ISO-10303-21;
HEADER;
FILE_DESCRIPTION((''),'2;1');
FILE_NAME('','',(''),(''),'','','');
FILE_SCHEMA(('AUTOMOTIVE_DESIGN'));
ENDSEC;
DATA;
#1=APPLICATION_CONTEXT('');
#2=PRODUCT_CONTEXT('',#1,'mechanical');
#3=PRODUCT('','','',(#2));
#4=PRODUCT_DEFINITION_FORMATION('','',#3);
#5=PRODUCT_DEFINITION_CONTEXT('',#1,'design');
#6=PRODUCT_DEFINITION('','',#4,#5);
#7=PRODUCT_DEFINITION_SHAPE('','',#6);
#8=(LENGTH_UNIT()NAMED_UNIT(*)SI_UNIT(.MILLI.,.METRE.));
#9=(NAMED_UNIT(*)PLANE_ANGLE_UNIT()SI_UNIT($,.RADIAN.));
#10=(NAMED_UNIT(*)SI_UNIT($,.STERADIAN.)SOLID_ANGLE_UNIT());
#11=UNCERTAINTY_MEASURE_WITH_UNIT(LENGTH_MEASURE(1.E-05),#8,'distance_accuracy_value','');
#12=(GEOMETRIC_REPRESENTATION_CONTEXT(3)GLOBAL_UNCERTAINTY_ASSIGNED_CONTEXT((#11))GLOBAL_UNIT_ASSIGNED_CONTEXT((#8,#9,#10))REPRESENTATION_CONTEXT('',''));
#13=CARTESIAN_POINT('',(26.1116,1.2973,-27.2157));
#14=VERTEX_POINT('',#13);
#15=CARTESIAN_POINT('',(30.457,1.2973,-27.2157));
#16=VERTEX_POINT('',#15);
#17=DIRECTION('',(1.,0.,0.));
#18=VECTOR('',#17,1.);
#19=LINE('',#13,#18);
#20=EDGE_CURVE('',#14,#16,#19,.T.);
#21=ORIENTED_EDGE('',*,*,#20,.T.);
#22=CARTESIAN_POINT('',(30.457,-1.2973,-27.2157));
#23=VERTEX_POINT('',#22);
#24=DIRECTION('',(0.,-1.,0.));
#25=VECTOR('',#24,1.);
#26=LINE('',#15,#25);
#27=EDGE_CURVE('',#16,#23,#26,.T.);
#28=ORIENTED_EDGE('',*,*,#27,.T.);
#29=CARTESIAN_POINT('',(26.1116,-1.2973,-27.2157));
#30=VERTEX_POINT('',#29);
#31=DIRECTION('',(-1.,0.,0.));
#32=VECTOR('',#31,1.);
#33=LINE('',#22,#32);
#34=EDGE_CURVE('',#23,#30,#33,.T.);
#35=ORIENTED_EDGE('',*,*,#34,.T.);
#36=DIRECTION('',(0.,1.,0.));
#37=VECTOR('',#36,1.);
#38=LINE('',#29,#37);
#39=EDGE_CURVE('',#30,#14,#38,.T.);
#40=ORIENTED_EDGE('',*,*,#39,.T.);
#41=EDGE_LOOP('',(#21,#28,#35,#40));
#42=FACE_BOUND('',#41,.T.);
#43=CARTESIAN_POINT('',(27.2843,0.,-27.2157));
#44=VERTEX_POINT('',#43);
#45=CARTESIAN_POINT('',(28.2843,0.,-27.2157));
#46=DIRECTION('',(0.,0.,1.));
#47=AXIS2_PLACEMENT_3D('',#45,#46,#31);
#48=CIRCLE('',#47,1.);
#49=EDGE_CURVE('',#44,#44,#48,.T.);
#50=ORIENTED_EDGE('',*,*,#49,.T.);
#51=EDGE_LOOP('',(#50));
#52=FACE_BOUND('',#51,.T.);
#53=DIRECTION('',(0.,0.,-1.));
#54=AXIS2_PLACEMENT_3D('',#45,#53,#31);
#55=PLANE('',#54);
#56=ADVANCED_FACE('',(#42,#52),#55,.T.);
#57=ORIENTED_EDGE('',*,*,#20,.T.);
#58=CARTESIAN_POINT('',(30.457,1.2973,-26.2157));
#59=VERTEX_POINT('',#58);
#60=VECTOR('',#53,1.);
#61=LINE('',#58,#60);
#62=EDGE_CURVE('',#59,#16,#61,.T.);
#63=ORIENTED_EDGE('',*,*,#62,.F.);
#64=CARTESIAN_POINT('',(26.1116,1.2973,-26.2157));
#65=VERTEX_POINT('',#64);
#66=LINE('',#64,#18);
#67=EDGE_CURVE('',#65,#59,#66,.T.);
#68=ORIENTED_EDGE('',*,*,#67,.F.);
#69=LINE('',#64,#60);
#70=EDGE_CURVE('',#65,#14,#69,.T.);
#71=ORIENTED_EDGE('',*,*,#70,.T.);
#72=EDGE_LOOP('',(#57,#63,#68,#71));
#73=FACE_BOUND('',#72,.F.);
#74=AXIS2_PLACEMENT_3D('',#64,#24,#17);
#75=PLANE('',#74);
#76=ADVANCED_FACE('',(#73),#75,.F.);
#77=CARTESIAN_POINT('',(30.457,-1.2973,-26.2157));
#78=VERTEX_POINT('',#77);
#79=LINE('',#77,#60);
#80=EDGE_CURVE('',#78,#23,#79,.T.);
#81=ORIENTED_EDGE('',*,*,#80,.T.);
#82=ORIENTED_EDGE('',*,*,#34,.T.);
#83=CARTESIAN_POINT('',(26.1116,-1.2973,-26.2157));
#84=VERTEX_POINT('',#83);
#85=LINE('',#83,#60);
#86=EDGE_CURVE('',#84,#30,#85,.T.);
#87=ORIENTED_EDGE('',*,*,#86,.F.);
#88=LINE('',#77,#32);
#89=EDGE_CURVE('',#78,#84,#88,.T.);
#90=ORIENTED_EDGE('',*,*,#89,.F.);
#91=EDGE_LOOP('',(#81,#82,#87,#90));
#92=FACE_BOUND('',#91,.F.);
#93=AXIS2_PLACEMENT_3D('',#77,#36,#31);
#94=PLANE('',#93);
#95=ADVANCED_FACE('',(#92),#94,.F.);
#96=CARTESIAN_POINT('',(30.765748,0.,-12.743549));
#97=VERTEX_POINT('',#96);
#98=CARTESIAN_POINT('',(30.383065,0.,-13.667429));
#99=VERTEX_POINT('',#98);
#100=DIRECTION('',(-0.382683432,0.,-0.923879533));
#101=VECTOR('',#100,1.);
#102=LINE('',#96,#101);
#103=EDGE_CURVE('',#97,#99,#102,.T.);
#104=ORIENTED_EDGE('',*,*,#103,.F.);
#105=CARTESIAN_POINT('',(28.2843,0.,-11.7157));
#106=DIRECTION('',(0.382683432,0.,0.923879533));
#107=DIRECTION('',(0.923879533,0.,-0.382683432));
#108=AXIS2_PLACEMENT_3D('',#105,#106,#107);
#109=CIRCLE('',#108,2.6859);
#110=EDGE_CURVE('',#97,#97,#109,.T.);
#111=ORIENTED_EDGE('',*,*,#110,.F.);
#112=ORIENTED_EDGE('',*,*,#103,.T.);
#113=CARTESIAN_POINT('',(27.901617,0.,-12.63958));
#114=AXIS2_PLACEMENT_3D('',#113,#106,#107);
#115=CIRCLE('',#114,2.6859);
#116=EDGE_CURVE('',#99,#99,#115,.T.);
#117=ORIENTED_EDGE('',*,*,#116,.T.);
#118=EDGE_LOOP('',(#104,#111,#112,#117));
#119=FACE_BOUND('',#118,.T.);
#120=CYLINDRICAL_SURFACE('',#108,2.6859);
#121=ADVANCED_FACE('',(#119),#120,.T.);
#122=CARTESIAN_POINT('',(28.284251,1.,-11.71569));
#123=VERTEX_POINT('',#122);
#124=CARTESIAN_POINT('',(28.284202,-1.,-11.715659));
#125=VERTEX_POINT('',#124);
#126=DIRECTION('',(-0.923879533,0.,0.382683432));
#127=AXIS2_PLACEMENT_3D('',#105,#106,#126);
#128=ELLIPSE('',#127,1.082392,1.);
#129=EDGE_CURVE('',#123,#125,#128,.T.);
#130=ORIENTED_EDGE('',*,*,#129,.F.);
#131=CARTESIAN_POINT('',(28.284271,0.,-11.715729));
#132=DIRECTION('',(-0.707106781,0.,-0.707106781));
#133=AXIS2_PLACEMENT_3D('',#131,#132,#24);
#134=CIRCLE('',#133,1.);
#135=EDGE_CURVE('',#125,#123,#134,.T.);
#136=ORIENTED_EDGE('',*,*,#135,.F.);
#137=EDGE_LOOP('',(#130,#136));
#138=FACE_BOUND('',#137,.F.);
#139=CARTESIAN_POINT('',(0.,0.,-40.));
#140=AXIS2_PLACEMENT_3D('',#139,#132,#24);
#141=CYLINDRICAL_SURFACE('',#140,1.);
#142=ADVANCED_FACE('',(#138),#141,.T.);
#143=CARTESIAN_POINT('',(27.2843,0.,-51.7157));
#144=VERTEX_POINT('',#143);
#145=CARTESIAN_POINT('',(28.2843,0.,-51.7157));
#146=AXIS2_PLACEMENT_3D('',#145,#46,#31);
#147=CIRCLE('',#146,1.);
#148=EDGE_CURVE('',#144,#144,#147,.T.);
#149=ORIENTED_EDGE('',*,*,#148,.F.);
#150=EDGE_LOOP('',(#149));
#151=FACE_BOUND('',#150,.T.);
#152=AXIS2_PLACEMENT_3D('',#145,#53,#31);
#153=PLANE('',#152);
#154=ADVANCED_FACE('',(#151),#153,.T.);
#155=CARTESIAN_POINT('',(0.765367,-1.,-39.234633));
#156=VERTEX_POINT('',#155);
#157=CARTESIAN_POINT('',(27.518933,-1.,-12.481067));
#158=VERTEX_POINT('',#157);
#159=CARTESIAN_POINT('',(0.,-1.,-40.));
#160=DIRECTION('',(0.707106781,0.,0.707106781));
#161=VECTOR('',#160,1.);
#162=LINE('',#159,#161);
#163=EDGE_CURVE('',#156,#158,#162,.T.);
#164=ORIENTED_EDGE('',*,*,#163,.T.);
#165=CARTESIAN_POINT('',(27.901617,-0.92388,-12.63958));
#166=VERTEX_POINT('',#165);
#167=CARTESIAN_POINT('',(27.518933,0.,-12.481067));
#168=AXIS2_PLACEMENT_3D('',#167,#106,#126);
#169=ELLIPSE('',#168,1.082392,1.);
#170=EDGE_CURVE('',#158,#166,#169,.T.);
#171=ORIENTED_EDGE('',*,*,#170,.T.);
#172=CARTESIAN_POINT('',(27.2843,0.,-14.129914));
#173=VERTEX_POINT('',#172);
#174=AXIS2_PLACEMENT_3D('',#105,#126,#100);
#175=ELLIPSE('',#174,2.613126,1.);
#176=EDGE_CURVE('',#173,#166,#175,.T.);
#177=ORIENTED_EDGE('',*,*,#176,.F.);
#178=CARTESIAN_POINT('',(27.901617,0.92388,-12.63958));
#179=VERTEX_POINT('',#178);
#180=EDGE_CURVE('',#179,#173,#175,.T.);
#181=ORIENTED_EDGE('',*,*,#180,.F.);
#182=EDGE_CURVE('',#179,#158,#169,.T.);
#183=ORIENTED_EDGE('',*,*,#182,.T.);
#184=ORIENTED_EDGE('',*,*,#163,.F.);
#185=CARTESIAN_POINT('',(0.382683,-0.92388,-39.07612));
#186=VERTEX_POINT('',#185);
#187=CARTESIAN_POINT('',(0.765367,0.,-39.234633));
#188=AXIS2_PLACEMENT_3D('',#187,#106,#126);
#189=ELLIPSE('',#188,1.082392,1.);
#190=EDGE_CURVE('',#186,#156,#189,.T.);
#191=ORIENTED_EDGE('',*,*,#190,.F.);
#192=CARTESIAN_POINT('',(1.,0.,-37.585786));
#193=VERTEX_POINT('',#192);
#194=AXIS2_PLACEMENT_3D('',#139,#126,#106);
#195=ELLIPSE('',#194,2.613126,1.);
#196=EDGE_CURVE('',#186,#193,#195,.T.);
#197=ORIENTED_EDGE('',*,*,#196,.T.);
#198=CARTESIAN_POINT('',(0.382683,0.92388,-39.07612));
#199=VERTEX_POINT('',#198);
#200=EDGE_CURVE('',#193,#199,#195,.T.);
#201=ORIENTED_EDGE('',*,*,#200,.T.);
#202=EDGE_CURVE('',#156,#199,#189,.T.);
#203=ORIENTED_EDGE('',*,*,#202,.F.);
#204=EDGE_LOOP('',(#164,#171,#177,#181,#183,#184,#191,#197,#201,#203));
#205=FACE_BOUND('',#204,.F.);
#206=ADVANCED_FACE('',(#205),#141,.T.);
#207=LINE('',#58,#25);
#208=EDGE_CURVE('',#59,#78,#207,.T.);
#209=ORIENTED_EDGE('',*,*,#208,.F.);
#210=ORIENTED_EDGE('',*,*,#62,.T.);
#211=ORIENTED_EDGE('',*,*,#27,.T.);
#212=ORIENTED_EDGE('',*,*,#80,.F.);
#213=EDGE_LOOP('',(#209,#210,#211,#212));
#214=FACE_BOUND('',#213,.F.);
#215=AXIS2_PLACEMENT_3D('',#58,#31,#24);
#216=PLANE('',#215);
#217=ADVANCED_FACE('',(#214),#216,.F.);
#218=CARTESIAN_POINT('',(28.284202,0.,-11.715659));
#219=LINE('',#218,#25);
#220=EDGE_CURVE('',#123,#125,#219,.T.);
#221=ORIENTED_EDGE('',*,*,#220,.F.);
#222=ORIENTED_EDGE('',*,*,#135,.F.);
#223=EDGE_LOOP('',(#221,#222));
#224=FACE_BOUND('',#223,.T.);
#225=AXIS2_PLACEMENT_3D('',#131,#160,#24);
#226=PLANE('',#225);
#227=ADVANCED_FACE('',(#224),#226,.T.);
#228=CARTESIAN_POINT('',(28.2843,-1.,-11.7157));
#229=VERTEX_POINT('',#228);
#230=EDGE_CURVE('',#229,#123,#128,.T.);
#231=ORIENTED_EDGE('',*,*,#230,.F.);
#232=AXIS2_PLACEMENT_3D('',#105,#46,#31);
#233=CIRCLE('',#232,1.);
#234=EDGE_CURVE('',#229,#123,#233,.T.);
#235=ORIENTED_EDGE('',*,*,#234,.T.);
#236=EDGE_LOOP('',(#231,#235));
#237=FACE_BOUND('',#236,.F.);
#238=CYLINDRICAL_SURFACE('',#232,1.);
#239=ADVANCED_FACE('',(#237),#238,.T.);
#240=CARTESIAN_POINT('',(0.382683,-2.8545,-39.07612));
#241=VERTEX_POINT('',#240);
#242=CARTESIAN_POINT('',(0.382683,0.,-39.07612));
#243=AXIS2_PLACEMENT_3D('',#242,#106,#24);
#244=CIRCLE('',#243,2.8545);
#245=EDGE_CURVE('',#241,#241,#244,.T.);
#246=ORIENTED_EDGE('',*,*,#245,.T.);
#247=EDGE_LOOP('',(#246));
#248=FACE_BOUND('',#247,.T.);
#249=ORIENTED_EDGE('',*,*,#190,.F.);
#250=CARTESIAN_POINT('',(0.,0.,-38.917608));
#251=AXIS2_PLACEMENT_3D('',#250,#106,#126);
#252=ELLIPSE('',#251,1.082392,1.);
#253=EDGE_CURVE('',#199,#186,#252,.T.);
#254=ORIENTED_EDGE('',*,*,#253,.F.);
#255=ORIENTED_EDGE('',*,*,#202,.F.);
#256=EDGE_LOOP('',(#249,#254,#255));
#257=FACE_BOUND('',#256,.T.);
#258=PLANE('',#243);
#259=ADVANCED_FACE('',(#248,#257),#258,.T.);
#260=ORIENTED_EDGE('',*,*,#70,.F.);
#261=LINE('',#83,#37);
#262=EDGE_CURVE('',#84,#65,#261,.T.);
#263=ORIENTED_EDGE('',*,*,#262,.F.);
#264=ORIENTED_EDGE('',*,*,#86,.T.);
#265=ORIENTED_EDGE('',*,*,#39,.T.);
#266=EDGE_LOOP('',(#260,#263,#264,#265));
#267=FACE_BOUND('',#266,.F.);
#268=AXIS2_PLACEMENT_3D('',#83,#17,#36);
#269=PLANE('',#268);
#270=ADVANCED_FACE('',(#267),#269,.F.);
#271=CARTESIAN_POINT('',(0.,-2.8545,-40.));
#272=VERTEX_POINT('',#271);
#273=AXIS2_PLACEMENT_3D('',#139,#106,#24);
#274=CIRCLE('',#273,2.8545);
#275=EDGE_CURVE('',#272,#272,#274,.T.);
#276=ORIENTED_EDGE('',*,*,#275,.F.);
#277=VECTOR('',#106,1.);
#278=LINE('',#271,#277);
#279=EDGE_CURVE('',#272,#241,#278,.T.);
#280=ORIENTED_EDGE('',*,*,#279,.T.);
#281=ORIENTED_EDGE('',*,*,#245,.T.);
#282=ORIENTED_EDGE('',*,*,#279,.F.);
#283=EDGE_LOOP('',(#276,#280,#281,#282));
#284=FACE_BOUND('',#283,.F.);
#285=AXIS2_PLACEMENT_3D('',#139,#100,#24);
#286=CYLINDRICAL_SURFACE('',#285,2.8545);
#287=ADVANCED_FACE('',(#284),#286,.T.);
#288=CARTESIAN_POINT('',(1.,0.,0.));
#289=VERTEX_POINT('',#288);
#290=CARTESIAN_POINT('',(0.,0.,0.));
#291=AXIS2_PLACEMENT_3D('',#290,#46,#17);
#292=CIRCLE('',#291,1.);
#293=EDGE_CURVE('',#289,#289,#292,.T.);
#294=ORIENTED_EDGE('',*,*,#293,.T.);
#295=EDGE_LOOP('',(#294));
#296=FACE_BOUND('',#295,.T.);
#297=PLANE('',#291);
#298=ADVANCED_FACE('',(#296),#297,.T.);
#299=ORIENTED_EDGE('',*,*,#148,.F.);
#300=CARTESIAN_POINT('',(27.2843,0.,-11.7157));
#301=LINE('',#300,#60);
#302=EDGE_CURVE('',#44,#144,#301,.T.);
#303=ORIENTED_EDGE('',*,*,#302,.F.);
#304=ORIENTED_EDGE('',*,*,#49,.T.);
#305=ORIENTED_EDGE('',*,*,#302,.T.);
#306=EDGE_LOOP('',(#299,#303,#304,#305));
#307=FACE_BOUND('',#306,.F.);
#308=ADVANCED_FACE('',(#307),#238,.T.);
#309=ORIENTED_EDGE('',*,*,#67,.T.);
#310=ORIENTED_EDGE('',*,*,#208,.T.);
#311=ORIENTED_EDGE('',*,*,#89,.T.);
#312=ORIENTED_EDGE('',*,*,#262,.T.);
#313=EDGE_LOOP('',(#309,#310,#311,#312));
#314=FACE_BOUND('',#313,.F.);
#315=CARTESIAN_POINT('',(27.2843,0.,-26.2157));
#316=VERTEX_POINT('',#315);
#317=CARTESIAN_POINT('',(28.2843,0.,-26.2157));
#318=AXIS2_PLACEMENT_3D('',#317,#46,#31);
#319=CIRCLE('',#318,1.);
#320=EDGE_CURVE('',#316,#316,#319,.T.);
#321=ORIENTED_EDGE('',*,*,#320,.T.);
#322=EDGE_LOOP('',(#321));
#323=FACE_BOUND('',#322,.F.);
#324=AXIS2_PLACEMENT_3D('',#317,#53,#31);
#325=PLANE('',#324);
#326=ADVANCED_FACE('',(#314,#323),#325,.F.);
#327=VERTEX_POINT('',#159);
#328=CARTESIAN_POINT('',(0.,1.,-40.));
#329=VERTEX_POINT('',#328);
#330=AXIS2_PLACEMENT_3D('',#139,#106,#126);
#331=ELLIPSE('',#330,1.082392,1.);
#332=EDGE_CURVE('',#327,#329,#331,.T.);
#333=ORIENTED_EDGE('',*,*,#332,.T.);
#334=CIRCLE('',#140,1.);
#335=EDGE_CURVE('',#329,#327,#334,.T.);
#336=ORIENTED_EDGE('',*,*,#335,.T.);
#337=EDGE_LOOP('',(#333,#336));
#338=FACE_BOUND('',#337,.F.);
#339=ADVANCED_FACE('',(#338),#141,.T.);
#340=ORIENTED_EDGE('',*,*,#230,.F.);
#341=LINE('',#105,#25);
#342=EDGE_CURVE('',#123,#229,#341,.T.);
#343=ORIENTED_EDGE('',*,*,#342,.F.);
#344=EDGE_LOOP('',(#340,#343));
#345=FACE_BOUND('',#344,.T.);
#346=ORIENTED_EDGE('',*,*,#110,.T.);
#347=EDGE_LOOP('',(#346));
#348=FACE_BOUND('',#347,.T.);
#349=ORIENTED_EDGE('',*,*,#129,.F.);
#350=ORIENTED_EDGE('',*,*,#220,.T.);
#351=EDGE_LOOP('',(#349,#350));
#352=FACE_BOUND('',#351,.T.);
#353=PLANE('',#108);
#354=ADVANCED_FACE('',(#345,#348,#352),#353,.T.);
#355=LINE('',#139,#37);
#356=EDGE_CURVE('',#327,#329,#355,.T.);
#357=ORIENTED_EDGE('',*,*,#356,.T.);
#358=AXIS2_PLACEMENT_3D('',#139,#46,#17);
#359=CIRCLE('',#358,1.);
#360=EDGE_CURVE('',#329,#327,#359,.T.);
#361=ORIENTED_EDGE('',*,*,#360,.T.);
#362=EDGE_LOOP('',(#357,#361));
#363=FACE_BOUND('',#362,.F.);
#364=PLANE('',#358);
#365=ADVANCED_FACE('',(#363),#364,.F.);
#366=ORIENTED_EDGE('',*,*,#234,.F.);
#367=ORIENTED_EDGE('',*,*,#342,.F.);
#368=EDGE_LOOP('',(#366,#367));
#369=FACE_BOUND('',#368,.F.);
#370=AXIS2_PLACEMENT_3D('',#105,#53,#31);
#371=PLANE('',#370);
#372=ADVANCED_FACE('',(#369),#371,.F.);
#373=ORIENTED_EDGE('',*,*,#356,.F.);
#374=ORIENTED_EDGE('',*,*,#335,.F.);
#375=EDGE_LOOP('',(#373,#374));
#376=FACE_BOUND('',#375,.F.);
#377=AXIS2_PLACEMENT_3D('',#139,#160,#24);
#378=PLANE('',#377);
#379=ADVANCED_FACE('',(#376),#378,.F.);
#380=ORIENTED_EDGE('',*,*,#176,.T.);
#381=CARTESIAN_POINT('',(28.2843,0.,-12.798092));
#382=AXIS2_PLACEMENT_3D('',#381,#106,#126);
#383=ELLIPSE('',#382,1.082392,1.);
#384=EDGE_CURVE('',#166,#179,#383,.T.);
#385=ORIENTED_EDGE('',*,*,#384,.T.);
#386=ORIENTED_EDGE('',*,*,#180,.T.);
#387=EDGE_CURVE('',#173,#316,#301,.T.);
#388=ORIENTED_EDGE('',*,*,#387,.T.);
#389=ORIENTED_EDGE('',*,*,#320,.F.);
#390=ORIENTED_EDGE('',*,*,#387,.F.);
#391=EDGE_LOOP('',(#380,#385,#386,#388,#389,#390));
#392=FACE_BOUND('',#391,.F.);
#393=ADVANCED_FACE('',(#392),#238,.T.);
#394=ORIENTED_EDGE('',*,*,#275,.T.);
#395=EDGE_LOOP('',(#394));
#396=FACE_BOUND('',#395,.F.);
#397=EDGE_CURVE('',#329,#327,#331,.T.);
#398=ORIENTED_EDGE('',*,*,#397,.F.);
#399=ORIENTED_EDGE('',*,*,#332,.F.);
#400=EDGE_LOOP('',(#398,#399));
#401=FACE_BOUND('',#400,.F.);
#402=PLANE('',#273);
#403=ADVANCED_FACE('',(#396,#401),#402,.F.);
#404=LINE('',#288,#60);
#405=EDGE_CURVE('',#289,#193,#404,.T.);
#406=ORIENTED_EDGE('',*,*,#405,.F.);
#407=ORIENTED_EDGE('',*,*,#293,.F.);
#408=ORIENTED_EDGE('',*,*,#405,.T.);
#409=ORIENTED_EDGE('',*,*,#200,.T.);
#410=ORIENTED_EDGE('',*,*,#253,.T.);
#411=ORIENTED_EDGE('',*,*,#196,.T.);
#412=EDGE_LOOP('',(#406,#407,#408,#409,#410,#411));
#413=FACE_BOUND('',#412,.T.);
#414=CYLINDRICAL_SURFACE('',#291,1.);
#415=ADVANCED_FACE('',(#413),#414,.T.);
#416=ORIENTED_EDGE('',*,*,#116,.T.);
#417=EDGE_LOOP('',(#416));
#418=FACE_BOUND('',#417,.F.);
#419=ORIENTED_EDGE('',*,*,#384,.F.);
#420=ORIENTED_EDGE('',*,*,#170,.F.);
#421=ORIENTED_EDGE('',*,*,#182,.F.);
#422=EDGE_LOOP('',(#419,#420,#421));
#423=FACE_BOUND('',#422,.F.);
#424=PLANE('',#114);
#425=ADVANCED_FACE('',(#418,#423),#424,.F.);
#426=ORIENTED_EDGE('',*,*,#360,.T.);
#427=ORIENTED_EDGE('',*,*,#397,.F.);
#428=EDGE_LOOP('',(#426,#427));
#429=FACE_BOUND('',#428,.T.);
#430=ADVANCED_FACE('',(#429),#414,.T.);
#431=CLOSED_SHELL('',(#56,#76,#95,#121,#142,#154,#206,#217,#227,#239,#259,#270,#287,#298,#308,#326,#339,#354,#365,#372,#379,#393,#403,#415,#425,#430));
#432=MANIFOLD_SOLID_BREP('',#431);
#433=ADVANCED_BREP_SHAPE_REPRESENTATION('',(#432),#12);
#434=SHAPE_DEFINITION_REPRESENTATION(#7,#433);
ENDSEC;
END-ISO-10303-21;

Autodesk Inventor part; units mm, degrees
ref_plane "XZ Plane" through (0, 0, 0) normal (0, 1, 0) x (-1, 0, 0)
ref_plane "XY Plane" through (0, 0, 0) normal (0, 0, 1) x (1, 0, 0)
sketch "Sketch1" plane through (0, 0, 0) normal (0, 0, 1) x (1, 0, 0)
  circle A0 centre (0, 0) radius 1
  dimension "d0" = 2
extrude "Extrusion1" add sketch "Sketch1" against normal blind 40
ref_plane "Work Plane1" through (0, 0, -40) normal (0, 0, -1) x (-1, 0, 0)
ref_plane "Work Plane3" through (0, 0, -40) normal (0.7071, 0, 0.7071) x (0, -1, 0)
ref_plane "Work Plane2" through (0, 0, -40) normal (1, 0, 0) x (0, 1, 0)
sketch "Sketch2" plane through (0, 0, -40) normal (0.7071, 0, 0.7071) x (0, -1, 0)
  ellipse E0 centre (0, 0) end of major axis (-1, 0) minor radius 0.7071 projected
  circle A0 centre (0, 0) radius 1
  point P0 (0, -28.2843)
extrude "Extrusion2" add sketch "Sketch2" along normal blind 40
ref_plane "Work Plane4" through (28.2843, 0, -11.7157) normal (0, 0, -1) x (-1, 0, 0)
sketch "Sketch3" plane through (28.2843, 0, -11.7157) normal (0, 0, -1) x (-1, 0, 0)
  ellipse E0 centre (0, 0) end of major axis (0, 1) minor radius 0.7071 projected
  circle A0 centre (0, 0) radius 1
  point P0 (28.2843, 0)
extrude "Extrusion3" add sketch "Sketch3" along normal blind 40
ref_plane "Work Plane5" through (0, 0, -40) normal (0.3827, 0, 0.9239) x (0, -1, 0)
sketch "Sketch4" plane through (0, 0, -40) normal (0.3827, 0, 0.9239) x (0, -1, 0)
  circle A0 centre (0, 0) radius 2.8545
  point P0 (0, -15.3073)
extrude "Extrusion4" add sketch "Sketch4" along normal blind 1
ref_plane "Work Plane6" through (28.2843, 0, -11.7157) normal (0.3827, 0, 0.9239) x (0.9239, 0, -0.3827)
sketch "Sketch5" plane through (28.2843, 0, -11.7157) normal (0.3827, 0, 0.9239) x (0.9239, 0, -0.3827)
  circle A0 centre (0, 0) radius 2.6859
  point P0 (-30.6147, 0)
extrude "Extrusion5" add sketch "Sketch5" against normal blind 1
ref_plane "Work Plane7" through (28.2843, 0, -26.2157) normal (0, 0, -1) x (-1, 0, 0)
sketch "Sketch6" plane through (28.2843, 0, -26.2157) normal (0, 0, -1) x (-1, 0, 0)
  ellipse E0 centre (0, 0) end of major axis (0, 2.6859) minor radius 2.4814 projected
  line L0 (-2.1727, -1.2973) -> (2.1727, -1.2973)
  line L1 (2.1727, -1.2973) -> (2.1727, 1.2973)
  line L2 (2.1727, 1.2973) -> (-2.1727, 1.2973)
  line L3 (-2.1727, 1.2973) -> (-2.1727, -1.2973)
  line L4 (0, -1) -> (0, 1) projected
  line L5 (-2.1727, -1.2973) -> (2.1727, 1.2973) construction
  line L6 (2.1727, -1.2973) -> (-2.1727, 1.2973) construction
  point P0 (28.2843, 0)
  point P1 (0, 0)
extrude "Extrusion6" add sketch "Sketch6" along normal blind 1 contours L2 L1 L0 L3
properties part number "00_Beam_Ocular_Detectoin"
